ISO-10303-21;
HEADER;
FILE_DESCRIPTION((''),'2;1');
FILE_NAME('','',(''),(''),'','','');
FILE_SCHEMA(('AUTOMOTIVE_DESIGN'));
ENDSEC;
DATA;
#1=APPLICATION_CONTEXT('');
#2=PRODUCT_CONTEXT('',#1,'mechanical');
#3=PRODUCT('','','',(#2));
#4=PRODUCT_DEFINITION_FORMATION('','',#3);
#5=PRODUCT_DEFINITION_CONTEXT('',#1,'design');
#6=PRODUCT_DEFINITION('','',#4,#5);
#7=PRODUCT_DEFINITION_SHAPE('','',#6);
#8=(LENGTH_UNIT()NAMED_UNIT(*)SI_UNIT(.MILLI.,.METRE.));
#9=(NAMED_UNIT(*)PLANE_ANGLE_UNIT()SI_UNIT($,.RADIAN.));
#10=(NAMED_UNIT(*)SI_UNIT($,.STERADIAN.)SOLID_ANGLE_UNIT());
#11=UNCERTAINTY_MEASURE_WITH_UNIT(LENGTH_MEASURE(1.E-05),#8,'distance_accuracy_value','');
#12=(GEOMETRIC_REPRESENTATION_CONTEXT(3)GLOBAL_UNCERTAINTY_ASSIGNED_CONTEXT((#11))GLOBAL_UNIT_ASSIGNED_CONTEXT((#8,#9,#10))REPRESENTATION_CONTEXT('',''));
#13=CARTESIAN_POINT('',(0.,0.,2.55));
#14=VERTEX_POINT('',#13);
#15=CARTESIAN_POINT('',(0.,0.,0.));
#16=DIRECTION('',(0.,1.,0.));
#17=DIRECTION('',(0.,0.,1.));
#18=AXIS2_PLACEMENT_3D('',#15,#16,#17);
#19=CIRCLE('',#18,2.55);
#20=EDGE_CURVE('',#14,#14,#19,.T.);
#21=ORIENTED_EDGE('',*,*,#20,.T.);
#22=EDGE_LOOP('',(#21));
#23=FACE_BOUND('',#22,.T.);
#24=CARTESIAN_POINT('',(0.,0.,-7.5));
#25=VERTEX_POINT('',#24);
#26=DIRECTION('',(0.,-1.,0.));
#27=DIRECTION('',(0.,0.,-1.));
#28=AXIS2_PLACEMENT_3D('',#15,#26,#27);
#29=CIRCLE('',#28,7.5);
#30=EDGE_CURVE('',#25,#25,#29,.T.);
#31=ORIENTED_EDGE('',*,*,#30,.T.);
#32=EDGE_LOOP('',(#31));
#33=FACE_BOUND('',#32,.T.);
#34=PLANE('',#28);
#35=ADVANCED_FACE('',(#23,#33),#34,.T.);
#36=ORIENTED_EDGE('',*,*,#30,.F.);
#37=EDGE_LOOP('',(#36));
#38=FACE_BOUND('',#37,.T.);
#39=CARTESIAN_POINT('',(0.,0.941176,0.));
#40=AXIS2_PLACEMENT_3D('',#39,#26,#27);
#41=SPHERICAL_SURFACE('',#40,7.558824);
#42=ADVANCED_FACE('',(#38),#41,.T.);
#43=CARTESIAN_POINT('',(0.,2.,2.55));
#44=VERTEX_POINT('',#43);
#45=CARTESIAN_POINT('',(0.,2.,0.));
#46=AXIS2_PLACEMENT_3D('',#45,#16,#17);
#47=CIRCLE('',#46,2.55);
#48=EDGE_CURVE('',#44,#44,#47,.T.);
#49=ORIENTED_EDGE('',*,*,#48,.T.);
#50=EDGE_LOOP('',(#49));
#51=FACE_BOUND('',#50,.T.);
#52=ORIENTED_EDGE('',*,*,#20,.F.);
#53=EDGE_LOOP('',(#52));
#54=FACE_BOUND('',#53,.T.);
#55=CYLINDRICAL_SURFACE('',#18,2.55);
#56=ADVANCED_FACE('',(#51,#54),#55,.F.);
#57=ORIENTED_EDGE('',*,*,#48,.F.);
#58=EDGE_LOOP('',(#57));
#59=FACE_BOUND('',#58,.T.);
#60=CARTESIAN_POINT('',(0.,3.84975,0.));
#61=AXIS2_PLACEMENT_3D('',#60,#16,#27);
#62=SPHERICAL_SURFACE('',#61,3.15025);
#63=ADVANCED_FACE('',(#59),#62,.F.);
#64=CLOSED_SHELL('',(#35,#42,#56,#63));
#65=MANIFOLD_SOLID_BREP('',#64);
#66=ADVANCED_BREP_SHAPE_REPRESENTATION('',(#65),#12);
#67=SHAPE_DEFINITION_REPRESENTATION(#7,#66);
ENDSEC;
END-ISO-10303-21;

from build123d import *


with BuildPart() as part:
    # Sketch3 → Revolve1 (revolve)
    with BuildSketch(Plane(origin=(0, 0, 0), x_dir=(0, 0, -1), z_dir=(1, 0, 0))):
        with BuildLine():
            ThreePointArc((0, 8.5), (5.667892024, 5.942257669), (7.5, 0))
            Line((7.5, 0), (0, 0))
            Line((0, 0), (0, 8.5))
        make_face()
    revolve(axis=Axis((0, 0, 0), (0, 1, 0)))

    # Sketch4 → Cut-Revolve1 (revolve, cut)
    with BuildSketch(Plane(origin=(0, 0, 0), x_dir=(0, 0, -1), z_dir=(1, 0, 0)), mode=Mode.PRIVATE) as cut_revolve1_sk:
        with BuildLine():
            Line((2.55, 0), (2.55, 2))
            ThreePointArc((2.55, 2), (2.806354397, 5.280990742), (0, 7))
            Line((0, 7), (0, 0))
            Line((0, 0), (2.55, 0))
        make_face()
    revolve(cut_revolve1_sk.sketch.rotate(Axis((0, 0, 0), (0, -1, 0)), 180), axis=Axis((0, 0, 0), (0, -1, 0)), mode=Mode.SUBTRACT)


solid = part.part
